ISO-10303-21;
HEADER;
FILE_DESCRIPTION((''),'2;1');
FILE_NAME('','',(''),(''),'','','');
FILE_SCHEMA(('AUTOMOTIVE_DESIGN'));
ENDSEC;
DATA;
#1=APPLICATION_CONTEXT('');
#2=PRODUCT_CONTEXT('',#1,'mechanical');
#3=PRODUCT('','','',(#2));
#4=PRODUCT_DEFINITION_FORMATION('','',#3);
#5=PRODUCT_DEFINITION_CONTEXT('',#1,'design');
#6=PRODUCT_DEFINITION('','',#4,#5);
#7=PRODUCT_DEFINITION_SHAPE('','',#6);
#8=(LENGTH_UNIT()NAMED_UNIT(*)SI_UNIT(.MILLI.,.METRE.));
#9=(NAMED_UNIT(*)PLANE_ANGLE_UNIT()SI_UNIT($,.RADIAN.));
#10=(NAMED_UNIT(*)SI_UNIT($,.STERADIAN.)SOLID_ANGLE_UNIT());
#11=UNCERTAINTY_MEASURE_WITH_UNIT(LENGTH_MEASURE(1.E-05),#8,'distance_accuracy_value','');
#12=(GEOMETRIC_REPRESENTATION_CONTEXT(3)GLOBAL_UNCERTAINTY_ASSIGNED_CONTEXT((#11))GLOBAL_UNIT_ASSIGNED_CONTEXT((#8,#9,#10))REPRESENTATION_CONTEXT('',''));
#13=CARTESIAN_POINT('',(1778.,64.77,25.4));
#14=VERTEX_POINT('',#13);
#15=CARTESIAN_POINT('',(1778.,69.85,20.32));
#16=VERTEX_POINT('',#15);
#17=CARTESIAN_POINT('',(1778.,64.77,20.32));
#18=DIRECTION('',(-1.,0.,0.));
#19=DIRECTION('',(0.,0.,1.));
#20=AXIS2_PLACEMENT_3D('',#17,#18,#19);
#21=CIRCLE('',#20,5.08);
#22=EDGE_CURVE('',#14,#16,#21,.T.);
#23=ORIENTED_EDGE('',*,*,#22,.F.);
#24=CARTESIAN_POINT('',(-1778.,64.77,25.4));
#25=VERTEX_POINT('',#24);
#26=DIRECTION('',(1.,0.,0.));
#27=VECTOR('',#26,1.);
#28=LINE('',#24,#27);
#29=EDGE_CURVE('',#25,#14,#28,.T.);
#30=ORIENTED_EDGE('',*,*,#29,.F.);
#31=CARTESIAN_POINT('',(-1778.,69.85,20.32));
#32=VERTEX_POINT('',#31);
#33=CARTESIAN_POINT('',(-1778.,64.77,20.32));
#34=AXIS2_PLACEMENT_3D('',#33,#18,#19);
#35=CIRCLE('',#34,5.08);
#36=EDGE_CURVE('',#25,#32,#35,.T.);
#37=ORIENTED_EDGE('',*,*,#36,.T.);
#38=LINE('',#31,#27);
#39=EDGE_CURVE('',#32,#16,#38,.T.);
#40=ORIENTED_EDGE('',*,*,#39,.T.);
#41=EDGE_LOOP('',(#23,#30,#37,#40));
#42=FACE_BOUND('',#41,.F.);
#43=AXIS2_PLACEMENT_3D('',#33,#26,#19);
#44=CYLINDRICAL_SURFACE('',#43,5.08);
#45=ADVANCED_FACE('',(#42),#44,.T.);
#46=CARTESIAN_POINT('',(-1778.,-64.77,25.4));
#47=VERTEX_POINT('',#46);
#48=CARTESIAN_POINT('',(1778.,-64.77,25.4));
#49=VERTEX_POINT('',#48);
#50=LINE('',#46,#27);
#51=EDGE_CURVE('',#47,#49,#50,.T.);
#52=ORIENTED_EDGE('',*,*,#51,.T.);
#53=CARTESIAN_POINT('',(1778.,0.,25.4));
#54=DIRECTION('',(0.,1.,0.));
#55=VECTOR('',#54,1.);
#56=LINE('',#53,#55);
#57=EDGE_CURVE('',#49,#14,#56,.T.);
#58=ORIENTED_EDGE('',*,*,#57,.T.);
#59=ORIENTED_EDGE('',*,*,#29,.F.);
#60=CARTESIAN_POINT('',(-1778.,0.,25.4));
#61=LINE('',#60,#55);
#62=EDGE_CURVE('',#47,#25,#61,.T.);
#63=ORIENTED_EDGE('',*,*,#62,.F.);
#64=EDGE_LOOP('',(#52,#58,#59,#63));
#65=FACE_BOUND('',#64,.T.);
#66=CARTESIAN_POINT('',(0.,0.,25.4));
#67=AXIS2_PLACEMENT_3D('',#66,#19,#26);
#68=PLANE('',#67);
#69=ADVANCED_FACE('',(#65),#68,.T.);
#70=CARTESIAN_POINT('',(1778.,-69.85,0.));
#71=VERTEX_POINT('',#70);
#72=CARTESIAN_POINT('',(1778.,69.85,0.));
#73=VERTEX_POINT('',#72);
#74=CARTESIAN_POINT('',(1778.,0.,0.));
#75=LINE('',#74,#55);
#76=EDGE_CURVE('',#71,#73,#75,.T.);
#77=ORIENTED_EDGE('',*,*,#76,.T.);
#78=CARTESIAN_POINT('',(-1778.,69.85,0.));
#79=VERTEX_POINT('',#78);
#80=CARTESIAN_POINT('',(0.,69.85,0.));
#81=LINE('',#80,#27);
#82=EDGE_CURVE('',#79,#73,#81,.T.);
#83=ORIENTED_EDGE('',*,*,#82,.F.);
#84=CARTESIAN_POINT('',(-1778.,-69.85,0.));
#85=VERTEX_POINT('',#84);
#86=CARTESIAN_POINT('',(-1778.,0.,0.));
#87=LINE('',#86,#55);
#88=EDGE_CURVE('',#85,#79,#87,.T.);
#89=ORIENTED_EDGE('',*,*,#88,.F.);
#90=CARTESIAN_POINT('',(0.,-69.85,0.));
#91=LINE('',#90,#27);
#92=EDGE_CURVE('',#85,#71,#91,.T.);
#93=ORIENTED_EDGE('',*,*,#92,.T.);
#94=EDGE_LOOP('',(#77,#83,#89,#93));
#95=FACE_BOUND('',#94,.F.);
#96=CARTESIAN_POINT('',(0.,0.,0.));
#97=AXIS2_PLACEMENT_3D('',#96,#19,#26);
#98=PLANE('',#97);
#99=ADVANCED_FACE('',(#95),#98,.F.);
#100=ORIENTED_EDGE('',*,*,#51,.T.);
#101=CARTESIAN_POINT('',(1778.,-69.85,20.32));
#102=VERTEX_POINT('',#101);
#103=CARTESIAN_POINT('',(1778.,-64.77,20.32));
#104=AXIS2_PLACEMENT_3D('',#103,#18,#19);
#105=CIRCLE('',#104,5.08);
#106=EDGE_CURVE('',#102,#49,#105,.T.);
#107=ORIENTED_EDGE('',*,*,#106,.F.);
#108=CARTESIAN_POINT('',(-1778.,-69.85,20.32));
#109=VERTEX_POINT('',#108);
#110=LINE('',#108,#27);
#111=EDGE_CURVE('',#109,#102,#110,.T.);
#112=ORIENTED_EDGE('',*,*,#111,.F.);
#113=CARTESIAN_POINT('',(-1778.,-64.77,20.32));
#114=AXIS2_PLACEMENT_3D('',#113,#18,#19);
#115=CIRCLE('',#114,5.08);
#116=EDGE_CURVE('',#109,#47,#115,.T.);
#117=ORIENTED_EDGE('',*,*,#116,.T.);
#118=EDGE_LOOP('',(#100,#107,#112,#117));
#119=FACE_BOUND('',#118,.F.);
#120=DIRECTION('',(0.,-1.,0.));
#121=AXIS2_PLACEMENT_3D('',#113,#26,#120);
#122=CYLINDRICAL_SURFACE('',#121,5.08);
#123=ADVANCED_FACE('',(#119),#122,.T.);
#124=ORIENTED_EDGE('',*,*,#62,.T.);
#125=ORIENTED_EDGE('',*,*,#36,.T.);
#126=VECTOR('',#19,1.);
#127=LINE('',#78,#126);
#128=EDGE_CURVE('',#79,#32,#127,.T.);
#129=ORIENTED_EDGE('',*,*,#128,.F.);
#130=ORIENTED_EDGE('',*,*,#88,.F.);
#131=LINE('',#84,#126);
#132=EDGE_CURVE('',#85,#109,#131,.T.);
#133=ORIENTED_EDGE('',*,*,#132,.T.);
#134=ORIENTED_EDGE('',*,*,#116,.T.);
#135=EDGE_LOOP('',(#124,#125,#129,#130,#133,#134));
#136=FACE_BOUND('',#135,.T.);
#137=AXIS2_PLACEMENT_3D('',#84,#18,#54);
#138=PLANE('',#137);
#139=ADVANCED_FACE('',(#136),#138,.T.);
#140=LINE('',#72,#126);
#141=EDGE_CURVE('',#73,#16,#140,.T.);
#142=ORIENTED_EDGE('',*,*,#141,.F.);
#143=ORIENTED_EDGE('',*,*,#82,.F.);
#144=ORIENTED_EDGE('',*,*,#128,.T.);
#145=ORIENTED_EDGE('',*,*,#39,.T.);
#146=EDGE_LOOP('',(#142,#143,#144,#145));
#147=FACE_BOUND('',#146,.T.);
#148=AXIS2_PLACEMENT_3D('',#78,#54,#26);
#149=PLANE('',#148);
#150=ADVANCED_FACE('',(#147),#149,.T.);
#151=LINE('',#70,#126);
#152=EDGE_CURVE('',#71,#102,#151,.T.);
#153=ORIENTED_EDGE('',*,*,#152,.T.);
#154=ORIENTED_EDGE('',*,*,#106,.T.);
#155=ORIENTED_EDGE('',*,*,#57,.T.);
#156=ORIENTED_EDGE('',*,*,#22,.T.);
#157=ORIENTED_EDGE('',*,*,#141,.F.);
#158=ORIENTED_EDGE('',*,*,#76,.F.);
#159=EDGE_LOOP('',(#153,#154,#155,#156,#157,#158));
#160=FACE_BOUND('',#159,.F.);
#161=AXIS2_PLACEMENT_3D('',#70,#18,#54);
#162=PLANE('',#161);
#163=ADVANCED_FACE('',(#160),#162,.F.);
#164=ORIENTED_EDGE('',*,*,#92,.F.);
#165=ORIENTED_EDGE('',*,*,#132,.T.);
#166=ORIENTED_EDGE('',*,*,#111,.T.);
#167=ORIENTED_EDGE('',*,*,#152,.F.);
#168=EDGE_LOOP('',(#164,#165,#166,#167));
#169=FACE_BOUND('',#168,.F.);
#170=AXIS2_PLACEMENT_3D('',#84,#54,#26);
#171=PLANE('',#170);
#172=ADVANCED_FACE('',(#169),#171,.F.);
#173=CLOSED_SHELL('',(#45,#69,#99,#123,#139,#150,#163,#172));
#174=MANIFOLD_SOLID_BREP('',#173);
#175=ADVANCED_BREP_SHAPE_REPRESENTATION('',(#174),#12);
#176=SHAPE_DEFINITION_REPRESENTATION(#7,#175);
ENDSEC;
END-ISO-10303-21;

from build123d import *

# Parameters (mm, degrees)
F0_W     = 3556
F0_H     = 139.7
F1_DEPTH = 25.4
F2_R     = 5.08
F3_R     = 5.08


with BuildPart() as f1:
    # F0 (on Top) → F1 (new body)
    with BuildSketch(Plane.XY):
        Rectangle(F0_W, F0_H)
    extrude(amount=F1_DEPTH)

    # F2
    f2_edges = [f1.edges().sort_by_distance(p)[0] for p in [
        (0, -69.85, 25.4),
    ]]
    fillet(f2_edges, radius=F2_R)

    # F3
    f3_edges = [f1.edges().sort_by_distance(p)[0] for p in [
        (0, 69.85, 25.4),
    ]]
    fillet(f3_edges, radius=F3_R)


solid = f1.part
